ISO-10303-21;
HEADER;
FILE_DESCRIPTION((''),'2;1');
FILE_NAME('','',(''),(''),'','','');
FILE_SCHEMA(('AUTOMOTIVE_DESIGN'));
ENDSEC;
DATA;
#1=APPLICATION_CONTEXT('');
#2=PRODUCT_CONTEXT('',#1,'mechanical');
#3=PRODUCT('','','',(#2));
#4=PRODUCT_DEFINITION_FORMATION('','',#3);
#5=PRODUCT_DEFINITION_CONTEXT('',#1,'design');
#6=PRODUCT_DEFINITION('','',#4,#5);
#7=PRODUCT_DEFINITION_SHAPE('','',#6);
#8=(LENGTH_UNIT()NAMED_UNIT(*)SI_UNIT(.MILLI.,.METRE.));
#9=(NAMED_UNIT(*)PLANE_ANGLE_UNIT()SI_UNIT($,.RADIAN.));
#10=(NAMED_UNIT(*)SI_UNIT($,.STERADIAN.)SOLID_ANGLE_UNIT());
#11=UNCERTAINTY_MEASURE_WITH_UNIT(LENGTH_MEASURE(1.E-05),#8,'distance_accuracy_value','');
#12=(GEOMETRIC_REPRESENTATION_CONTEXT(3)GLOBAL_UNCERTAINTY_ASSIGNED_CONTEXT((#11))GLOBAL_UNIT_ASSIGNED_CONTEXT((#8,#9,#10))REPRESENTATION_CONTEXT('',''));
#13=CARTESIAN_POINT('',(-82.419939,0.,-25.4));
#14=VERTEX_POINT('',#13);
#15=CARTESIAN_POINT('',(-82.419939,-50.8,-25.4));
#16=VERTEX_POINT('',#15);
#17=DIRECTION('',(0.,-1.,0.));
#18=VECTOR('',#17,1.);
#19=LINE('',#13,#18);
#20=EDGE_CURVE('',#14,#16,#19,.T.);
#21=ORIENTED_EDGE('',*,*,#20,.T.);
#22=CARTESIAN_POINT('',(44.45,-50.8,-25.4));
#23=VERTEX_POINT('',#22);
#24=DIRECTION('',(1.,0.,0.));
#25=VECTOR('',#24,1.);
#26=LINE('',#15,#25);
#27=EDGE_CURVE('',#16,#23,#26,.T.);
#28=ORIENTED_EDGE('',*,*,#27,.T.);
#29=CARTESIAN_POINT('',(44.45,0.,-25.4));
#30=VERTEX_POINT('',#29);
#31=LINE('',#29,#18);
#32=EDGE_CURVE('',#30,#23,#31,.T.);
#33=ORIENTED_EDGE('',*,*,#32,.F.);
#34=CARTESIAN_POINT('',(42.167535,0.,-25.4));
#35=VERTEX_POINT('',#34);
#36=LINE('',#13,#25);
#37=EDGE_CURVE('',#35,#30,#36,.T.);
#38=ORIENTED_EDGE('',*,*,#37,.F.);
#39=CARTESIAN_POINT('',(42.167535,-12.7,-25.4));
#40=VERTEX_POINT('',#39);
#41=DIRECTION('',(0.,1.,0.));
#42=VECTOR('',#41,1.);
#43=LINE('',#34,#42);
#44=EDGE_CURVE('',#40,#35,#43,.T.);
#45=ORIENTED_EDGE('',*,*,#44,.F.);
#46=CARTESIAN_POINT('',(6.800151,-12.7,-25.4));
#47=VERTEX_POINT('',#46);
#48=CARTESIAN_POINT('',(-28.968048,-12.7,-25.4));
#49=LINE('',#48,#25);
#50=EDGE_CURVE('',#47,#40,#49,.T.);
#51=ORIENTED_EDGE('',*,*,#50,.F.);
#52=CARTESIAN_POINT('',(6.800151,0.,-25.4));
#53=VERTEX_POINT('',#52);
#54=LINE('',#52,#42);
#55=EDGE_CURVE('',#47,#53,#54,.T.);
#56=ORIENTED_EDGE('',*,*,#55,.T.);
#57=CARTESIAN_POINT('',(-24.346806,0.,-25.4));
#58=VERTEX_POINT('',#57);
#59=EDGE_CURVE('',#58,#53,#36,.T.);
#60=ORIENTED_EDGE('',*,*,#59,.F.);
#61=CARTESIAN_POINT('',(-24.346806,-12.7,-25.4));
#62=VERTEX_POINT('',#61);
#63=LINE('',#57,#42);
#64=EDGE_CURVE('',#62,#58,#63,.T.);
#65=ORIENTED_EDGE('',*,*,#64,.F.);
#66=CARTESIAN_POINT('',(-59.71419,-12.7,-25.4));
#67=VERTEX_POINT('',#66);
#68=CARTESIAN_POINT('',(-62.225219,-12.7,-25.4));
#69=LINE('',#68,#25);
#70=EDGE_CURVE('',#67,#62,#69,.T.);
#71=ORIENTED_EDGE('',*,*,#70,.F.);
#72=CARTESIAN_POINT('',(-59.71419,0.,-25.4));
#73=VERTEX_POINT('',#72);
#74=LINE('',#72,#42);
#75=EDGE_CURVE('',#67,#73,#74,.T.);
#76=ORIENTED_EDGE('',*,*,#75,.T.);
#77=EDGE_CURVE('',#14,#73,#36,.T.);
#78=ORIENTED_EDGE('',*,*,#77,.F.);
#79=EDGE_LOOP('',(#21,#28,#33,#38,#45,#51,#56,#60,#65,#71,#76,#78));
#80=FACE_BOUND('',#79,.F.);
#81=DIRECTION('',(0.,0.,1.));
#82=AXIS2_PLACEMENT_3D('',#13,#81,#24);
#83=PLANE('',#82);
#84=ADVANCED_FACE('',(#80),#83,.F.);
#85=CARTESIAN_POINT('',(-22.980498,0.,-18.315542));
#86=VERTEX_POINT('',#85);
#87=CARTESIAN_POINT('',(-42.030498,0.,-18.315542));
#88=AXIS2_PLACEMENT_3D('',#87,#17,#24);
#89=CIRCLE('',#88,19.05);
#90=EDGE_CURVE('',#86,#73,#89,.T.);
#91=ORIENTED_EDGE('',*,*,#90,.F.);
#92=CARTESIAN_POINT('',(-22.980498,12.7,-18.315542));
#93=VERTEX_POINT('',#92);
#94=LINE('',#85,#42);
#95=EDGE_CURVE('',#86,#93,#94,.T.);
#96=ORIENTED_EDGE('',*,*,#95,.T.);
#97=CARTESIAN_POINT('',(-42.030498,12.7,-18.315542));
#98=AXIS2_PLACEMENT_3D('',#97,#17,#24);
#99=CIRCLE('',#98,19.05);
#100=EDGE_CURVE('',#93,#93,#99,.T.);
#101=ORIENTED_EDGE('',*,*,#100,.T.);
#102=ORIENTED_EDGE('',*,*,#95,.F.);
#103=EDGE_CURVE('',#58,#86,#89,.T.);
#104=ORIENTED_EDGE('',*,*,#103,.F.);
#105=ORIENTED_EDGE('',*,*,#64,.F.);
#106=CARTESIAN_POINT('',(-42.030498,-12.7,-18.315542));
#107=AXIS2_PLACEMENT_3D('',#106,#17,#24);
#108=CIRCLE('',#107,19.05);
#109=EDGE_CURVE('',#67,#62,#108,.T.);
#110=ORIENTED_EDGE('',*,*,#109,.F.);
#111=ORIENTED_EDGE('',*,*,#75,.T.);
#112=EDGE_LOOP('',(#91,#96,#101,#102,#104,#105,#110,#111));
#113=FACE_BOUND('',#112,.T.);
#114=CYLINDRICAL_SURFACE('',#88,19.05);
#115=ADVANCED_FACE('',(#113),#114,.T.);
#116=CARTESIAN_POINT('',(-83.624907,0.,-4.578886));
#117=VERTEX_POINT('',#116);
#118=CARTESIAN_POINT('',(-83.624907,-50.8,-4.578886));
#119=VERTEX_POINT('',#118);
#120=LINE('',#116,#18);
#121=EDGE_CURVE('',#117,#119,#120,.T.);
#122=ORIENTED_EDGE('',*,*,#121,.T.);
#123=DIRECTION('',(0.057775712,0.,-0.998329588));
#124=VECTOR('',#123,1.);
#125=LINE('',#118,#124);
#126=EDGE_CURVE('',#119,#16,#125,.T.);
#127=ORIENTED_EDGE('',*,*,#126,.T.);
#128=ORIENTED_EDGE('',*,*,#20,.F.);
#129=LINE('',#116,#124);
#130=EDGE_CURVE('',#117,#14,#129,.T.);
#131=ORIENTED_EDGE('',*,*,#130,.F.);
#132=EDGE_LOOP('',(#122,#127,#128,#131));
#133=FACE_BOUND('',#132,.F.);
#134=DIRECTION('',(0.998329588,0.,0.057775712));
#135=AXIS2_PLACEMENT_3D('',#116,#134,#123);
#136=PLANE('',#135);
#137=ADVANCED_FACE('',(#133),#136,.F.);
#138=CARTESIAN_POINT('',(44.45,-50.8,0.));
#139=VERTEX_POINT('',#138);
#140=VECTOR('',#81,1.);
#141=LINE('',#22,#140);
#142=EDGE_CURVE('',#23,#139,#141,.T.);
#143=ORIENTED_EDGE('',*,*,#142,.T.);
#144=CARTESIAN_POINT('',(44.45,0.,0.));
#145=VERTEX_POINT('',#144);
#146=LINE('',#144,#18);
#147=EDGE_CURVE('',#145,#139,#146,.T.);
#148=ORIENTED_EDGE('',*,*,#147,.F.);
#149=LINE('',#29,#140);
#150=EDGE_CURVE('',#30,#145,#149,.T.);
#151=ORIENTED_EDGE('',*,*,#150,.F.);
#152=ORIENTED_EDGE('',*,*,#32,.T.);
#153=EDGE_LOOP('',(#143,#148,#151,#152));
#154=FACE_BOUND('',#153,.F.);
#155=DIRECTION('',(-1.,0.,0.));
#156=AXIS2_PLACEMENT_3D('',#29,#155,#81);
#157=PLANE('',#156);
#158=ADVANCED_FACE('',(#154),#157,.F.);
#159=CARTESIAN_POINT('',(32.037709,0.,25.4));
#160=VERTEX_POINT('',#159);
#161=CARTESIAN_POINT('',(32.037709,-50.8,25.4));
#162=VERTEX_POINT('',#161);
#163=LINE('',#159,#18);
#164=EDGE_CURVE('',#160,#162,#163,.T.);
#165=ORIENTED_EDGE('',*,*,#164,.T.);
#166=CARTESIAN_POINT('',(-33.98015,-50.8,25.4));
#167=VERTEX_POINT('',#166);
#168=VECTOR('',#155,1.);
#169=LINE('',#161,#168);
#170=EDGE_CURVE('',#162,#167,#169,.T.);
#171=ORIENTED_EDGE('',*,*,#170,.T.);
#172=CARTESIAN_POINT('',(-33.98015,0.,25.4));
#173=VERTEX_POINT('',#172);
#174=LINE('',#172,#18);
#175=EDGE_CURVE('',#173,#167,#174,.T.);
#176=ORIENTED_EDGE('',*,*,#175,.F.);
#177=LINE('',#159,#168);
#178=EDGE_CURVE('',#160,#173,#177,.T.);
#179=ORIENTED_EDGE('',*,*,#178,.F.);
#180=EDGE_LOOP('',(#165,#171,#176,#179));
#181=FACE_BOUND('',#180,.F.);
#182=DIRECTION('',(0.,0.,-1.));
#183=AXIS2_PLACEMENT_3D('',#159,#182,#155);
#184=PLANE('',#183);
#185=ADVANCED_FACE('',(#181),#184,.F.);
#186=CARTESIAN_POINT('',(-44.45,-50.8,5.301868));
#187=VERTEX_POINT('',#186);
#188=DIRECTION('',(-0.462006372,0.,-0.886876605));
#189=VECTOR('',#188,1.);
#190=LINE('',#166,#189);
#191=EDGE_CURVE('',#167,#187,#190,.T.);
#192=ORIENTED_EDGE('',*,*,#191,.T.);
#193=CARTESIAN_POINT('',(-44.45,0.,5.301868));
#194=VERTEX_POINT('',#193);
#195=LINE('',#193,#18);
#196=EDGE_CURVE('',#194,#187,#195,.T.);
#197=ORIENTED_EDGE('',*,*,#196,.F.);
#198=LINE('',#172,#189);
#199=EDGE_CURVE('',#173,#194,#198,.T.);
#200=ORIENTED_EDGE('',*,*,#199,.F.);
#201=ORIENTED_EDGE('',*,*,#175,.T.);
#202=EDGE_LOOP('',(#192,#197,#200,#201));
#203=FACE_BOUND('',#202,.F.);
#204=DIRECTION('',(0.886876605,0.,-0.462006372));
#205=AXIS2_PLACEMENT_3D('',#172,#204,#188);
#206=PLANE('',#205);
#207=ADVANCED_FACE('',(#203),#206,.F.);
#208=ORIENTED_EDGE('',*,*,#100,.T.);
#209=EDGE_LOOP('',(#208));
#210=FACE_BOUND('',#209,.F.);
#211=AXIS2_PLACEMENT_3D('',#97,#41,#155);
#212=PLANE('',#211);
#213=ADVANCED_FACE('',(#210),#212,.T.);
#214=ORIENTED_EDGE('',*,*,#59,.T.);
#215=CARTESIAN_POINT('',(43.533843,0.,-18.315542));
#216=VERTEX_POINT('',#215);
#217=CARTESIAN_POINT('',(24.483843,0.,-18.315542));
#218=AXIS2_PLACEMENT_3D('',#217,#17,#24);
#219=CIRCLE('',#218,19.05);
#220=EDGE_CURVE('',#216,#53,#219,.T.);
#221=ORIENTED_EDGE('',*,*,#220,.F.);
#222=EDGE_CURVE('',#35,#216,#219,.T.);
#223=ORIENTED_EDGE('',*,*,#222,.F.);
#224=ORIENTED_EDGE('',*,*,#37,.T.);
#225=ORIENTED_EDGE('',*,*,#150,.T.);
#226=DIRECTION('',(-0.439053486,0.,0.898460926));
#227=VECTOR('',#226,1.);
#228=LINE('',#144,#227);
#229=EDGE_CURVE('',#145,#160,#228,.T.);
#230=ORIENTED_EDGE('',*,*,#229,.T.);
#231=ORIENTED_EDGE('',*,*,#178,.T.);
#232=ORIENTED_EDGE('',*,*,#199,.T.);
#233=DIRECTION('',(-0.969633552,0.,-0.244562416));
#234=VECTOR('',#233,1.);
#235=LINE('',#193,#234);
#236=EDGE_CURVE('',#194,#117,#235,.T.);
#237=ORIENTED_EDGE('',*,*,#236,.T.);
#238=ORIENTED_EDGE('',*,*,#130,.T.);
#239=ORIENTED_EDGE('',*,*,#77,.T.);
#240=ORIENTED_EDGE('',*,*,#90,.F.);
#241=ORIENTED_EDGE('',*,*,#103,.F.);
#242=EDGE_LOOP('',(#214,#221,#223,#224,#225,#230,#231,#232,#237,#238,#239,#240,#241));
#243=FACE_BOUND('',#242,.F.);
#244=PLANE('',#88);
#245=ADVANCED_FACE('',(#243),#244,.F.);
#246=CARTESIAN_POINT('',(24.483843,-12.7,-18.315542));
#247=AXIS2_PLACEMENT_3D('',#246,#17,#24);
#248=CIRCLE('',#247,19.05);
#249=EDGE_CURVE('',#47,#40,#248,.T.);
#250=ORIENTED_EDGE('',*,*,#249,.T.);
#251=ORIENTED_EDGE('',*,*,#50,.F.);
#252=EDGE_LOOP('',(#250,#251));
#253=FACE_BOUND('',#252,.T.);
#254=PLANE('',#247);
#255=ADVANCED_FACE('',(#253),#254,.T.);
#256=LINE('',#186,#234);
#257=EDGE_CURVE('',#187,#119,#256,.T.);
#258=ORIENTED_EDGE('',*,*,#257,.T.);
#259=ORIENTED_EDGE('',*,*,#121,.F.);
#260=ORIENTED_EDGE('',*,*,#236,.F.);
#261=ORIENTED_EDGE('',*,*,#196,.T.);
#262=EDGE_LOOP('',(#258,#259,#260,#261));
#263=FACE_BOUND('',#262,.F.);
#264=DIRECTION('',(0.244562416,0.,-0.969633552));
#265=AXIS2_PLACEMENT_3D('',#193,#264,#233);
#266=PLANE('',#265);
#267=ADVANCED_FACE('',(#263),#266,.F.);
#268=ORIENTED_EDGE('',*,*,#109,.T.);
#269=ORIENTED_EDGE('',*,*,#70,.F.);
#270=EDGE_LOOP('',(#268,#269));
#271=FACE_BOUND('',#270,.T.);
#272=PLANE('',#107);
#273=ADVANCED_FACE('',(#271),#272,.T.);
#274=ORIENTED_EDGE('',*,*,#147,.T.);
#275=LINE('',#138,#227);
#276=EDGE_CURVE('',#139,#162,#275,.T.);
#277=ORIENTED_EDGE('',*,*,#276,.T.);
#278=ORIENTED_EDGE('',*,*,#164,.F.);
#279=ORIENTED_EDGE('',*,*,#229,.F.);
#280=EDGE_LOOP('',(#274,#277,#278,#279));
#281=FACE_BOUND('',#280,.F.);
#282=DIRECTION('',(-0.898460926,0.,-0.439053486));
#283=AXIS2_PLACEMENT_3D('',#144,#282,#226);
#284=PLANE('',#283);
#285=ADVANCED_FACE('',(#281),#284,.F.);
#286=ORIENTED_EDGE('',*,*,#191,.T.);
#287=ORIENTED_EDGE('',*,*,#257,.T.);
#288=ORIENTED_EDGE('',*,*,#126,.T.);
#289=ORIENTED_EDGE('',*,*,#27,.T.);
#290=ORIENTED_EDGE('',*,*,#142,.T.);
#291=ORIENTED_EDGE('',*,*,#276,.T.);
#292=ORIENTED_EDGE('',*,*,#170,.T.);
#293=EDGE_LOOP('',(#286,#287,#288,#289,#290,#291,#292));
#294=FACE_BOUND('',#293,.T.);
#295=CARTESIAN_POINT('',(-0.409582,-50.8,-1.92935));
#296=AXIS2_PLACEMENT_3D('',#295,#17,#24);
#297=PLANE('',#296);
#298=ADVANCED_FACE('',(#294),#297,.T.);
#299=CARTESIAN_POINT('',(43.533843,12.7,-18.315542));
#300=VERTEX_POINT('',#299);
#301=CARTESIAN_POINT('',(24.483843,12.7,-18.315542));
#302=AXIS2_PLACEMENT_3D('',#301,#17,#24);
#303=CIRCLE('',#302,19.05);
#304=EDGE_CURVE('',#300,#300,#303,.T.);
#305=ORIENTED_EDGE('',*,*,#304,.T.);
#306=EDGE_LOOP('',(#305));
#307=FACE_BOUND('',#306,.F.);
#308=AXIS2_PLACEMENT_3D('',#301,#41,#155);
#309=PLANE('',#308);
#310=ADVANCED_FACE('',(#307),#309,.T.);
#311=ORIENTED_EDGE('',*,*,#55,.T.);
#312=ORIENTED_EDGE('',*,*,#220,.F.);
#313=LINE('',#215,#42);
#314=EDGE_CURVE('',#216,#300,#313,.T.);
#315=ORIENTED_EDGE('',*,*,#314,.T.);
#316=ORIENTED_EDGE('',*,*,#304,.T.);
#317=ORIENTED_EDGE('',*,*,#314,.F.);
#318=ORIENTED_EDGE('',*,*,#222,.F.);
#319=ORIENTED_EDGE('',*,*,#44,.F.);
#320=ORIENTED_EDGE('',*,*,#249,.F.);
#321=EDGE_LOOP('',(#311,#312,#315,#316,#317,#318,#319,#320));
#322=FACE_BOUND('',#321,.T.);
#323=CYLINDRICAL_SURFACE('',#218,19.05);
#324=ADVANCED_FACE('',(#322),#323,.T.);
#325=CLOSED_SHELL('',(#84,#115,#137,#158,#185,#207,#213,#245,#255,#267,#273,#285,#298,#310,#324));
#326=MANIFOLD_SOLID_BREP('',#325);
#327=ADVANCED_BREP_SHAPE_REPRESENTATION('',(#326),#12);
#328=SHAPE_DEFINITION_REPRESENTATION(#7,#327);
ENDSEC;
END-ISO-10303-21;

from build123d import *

# Parameters (mm, degrees)
F1_DEPTH = 50.8
F2_R     = 19.05
F3_DEPTH = 12.7
F4_DEPTH = 12.7


with BuildPart() as f1:
    # F0 (on Front) → F1 (new body)
    with BuildSketch(Plane.XZ):
        Polygon((-44.45, 5.3018676117), (-44.45, -25.4), (44.45, -25.4), (44.45, 0), (32.0377089083, 25.4), (-33.9801497757, 25.4), align=None)
        Polygon((-82.4199393392, -25.4), (-44.45, -25.4), (-44.45, 5.3018676117), (-83.6249068379, -4.5788856223), align=None)
    extrude(amount=F1_DEPTH)

    # F2 (on Front) → F3 (cut)
    with BuildSketch(Plane.XZ):
        with Locations((-42.0304983854, -18.3155424893)):
            Circle(F2_R)
        with BuildLine():
            ThreePointArc((5.4338427752, -18.3155424893), (24.4838427752, -37.3655424893), (43.5338427752, -18.3155424893))
            ThreePointArc((43.5338427752, -18.3155424893), (24.4838427752, 0.7344575107), (5.4338427752, -18.3155424893))
        make_face()
    extrude(amount=F3_DEPTH, mode=Mode.SUBTRACT)



with BuildPart() as f4:
    # F2 (on Front) → F4 (new body)
    with BuildSketch(Plane.XZ):
        with BuildLine():
            ThreePointArc((5.4338427752, -18.3155424893), (24.4838427752, -37.3655424893), (43.5338427752, -18.3155424893))
            ThreePointArc((43.5338427752, -18.3155424893), (24.4838427752, 0.7344575107), (5.4338427752, -18.3155424893))
        make_face()
    extrude(amount=F4_DEPTH)


with BuildPart() as f4b:
    # F2 (on Front) → F4, piece 2 (new body)
    with BuildSketch(Plane.XZ):
        with Locations((-42.0304983854, -18.3155424893)):
            Circle(F2_R)
    extrude(amount=F4_DEPTH)


with BuildPart() as f1_1:
    add(f1.part)

    add(f4.part)  # F5 merges F4

    add(f4b.part)  # F5 merges F4b
    # F5: F4b, F4 across plane
    add(f4b.part.mirror(Plane.XZ))
    add(f4.part.mirror(Plane.XZ))


solid = f1_1.part
